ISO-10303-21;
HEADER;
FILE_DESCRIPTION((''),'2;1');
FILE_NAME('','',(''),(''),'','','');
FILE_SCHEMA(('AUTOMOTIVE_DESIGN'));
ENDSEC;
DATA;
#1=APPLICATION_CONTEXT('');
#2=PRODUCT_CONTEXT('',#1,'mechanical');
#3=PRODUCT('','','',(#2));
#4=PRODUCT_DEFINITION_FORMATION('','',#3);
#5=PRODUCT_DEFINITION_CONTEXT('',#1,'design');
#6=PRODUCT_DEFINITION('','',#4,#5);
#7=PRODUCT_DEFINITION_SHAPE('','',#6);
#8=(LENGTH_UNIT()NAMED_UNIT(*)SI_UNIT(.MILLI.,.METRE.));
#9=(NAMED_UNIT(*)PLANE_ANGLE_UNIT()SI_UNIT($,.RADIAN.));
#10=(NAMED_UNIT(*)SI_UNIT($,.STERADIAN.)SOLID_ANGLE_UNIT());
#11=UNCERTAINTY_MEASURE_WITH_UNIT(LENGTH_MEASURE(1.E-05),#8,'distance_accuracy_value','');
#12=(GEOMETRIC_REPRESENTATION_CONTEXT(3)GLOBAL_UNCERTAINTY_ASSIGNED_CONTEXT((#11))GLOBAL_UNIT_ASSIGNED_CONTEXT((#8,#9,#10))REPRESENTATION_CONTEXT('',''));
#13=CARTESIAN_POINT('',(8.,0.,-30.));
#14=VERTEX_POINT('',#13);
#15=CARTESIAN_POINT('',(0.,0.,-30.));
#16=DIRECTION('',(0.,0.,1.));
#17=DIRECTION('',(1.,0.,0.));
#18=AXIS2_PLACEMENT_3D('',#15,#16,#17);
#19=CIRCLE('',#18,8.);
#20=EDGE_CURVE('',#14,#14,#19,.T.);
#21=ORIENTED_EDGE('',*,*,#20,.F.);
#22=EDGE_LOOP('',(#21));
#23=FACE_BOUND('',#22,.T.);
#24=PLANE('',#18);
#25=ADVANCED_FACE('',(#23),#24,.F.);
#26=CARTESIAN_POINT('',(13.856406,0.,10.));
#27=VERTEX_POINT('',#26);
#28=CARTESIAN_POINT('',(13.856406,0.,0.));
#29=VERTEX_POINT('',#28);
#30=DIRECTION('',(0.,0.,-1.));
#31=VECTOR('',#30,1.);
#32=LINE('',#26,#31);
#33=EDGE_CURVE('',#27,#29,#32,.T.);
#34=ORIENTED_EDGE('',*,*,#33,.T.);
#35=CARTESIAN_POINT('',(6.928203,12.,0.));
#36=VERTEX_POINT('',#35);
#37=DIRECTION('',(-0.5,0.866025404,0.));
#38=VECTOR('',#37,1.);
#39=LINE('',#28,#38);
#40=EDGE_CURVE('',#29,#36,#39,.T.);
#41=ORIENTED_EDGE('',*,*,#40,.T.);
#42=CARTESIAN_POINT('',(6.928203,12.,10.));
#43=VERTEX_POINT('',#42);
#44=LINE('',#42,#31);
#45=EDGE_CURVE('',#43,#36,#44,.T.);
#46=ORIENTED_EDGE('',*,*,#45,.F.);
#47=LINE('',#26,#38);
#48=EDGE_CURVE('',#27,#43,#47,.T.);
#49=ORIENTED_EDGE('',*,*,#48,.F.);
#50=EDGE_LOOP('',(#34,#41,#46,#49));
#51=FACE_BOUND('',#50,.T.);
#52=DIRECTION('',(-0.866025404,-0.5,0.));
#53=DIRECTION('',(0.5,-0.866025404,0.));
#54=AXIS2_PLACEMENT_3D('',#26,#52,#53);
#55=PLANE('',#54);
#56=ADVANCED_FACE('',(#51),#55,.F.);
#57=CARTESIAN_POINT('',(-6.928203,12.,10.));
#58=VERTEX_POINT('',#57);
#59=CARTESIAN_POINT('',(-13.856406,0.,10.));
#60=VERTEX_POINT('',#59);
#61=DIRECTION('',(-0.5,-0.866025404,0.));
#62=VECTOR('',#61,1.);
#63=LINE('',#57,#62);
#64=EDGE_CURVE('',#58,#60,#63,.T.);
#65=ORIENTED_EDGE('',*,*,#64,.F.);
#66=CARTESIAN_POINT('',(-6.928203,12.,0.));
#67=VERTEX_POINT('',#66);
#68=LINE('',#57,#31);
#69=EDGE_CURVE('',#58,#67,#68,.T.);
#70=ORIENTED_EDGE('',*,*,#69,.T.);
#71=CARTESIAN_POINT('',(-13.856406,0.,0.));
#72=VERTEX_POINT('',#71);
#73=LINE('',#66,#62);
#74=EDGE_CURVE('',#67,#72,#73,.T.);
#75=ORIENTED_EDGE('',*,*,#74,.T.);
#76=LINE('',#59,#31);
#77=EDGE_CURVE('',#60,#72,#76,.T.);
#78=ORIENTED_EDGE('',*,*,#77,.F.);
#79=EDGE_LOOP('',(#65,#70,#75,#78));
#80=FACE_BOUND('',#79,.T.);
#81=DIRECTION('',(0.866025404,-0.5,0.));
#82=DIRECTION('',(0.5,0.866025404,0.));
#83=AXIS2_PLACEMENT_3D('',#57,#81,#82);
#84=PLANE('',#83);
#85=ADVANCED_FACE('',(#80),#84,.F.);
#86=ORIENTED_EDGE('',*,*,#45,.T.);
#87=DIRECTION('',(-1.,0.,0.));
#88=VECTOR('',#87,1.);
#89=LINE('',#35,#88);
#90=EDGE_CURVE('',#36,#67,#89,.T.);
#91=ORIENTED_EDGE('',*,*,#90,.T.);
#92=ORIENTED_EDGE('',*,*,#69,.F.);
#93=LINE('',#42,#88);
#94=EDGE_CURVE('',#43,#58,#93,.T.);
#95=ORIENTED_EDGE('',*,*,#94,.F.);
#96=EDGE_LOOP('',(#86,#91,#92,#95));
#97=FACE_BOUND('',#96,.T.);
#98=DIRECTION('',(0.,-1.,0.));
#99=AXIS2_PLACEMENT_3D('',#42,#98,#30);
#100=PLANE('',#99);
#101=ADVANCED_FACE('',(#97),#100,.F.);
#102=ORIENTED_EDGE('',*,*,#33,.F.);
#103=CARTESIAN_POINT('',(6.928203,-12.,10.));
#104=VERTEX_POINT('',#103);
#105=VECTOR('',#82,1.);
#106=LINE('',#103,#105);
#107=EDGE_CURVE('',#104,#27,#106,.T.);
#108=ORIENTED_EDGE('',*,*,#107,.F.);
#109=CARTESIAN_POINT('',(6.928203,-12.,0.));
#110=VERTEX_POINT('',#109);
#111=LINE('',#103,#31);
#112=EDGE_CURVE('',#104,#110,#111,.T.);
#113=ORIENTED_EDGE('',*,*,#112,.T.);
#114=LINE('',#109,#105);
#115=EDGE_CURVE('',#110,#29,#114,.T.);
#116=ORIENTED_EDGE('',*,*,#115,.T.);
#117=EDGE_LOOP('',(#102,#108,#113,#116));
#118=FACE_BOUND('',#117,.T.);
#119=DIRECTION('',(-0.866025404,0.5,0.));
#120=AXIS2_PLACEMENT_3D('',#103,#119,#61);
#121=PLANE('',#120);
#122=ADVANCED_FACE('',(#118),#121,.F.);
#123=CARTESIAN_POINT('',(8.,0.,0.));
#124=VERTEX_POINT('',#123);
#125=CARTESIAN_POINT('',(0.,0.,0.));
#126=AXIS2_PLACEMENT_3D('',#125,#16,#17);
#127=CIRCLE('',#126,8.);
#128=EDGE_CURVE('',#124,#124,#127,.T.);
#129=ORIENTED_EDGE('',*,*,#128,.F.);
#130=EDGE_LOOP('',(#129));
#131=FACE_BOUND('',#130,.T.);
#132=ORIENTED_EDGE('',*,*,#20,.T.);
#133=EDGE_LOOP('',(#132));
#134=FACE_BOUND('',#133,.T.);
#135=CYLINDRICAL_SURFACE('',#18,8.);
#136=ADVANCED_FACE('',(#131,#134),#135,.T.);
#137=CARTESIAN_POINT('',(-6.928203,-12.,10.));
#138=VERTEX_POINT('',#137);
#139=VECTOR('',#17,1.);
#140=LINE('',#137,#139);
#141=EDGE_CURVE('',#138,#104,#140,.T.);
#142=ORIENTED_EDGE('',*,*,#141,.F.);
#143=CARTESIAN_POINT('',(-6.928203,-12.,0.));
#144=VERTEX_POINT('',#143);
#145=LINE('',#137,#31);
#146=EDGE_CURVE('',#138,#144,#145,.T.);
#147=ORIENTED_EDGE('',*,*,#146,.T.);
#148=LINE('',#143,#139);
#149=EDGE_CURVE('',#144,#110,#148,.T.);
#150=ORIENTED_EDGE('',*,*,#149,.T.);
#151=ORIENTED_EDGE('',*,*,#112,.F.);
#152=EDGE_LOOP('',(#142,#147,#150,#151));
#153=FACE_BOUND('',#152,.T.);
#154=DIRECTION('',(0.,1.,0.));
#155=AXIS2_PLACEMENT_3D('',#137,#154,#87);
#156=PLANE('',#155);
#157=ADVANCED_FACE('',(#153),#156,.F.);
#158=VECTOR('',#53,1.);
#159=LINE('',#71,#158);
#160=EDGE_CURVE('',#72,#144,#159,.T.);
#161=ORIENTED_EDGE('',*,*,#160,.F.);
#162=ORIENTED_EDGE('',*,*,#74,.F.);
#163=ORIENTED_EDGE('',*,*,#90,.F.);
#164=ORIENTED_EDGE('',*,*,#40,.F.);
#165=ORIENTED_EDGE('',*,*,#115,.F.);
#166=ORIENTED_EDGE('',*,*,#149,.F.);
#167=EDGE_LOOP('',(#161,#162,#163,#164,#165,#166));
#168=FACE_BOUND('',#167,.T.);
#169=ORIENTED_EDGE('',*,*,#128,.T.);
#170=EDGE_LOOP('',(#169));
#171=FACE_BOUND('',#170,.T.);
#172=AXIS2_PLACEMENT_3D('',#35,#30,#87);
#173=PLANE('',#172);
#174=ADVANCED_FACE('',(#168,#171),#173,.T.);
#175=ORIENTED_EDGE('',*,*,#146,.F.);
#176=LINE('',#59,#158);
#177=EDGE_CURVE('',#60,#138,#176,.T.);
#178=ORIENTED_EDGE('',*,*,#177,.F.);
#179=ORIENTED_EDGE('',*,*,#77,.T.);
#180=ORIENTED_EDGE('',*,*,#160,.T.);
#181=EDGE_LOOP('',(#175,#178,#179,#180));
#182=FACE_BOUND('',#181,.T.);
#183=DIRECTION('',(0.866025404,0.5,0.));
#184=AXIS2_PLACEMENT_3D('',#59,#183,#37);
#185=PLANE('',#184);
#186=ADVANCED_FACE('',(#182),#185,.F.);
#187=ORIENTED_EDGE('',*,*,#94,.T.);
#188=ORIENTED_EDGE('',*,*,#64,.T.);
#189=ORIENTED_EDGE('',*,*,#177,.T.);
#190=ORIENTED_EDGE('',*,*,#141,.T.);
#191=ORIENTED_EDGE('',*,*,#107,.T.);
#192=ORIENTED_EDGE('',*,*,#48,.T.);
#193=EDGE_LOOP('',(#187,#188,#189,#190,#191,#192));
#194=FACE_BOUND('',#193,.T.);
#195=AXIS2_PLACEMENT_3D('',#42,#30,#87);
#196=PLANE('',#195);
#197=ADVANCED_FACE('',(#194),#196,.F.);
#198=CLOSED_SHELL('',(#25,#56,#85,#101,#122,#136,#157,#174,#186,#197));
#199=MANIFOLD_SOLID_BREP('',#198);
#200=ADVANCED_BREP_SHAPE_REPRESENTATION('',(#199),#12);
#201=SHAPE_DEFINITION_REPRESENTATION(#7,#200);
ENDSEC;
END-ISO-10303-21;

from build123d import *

# Parameters (mm, degrees)
SKETCH1_R      = 8
EXTRUDE1_DEPTH = 30
EXTRUDE2_DEPTH = 10


with BuildPart() as part:
    # Sketch1 → Extrude1 (new body)
    with BuildSketch(Plane.XY):
        Circle(SKETCH1_R)
    extrude(amount=-EXTRUDE1_DEPTH)

    # Sketch2 → Extrude2 (add)
    with BuildSketch(Plane.XY):
        Polygon((-6.92820323, 12), (-13.856406461, 0), (-6.92820323, -12), (6.92820323, -12), (13.856406461, 0), (6.92820323, 12), align=None)
    extrude(amount=EXTRUDE2_DEPTH)


solid = part.part
